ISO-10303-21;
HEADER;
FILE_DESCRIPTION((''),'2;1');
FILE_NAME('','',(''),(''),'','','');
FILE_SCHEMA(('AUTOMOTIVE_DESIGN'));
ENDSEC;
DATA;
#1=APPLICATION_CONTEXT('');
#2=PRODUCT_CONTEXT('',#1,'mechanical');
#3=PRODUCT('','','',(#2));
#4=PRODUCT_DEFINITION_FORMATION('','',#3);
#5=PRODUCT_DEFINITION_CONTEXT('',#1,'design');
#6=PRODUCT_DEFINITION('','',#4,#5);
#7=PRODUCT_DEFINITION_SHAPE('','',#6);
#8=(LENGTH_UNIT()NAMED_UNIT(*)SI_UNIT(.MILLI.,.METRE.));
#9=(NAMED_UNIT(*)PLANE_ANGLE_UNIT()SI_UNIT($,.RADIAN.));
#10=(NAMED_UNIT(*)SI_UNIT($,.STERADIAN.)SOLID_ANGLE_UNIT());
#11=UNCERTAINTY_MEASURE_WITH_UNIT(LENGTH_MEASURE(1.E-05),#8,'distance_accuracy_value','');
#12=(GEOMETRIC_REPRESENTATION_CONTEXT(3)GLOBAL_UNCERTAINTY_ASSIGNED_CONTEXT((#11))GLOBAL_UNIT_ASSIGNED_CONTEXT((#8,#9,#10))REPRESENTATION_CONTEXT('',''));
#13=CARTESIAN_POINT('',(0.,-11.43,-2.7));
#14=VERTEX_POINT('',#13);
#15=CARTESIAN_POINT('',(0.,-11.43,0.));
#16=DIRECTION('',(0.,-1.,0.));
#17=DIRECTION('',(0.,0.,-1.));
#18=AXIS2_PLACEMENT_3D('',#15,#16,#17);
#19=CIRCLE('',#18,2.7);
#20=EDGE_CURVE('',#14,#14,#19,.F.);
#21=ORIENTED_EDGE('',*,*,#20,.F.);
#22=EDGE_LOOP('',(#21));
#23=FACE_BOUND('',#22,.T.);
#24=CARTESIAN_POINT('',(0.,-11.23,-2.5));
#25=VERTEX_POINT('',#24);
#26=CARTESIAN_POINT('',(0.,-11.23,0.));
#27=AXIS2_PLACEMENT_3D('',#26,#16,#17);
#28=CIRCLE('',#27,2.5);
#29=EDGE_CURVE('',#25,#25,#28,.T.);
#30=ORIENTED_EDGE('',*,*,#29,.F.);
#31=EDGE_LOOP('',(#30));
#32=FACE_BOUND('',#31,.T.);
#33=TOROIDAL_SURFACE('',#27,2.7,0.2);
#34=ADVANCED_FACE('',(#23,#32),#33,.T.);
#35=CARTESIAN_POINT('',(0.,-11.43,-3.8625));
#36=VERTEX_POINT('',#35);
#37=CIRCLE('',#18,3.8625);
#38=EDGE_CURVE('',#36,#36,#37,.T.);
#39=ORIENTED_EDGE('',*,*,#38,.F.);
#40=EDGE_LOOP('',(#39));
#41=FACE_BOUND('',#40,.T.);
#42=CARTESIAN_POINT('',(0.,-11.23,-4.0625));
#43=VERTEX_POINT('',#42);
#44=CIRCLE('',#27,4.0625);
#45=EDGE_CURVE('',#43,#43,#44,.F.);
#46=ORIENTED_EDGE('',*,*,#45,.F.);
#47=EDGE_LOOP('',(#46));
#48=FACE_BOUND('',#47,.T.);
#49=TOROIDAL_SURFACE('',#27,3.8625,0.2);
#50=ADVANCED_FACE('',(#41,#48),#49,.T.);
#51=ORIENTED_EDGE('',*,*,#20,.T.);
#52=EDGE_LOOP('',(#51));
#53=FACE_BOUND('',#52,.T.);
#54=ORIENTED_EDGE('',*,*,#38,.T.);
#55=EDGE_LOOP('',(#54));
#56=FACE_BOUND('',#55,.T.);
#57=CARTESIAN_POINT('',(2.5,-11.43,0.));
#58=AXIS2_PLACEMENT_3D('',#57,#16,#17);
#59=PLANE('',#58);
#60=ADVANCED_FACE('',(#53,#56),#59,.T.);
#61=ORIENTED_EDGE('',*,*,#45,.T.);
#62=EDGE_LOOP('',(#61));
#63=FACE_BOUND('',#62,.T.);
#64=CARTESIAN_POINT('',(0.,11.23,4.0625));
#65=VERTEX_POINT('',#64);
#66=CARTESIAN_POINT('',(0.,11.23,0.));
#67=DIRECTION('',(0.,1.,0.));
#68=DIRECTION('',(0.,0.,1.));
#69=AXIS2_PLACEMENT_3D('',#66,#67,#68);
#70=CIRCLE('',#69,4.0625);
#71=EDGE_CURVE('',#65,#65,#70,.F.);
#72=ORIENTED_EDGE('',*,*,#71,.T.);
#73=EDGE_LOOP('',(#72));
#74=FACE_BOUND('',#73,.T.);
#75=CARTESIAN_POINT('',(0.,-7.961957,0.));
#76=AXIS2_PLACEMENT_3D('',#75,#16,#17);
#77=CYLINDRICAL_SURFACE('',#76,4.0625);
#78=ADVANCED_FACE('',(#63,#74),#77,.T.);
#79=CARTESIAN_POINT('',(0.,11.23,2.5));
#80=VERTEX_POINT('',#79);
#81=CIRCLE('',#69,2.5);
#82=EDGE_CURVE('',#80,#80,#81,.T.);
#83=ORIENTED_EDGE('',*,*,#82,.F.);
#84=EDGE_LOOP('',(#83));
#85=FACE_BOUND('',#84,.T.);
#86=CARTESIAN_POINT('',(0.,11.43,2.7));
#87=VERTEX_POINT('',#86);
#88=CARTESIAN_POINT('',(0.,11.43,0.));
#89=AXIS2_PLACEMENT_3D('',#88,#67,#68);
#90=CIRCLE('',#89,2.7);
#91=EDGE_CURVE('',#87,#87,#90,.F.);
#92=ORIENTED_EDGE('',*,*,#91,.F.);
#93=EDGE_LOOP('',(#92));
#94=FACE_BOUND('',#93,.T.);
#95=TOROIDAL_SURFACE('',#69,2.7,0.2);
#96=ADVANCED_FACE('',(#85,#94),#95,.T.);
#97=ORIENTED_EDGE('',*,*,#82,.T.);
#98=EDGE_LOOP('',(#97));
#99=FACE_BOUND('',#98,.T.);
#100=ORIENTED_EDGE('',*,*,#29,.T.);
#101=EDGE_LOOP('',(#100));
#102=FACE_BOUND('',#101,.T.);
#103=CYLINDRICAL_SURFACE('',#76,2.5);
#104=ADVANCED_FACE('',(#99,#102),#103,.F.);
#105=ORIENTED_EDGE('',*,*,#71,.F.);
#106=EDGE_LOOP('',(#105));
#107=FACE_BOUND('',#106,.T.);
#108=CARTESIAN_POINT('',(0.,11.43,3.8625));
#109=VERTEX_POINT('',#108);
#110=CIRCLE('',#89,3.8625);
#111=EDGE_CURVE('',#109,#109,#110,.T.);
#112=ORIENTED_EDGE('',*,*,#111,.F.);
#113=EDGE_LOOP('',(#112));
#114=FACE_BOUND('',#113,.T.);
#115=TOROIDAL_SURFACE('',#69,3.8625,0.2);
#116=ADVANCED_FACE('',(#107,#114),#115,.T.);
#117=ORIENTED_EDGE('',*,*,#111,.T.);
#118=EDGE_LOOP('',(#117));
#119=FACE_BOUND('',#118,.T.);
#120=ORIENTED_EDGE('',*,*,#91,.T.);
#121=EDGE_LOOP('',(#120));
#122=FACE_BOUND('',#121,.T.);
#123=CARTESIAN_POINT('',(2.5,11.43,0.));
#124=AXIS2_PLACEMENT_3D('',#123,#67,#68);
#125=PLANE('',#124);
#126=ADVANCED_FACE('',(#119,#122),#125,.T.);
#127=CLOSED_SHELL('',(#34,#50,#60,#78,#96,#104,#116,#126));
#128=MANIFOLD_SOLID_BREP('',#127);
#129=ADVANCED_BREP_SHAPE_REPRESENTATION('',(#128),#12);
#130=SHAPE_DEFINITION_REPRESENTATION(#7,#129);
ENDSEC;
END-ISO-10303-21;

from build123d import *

# Parameters (mm, degrees)
SKETCH1_W = 1.5625
SKETCH1_H = 22.86
FILLET1_R = 0.2


with BuildPart() as part:
    # Sketch1 → Revolve1 (revolve)
    with BuildSketch(Plane.XY, mode=Mode.PRIVATE) as revolve1_sk:
        with Locations((3.28125, 0)):
            Rectangle(SKETCH1_W, SKETCH1_H)
    revolve(revolve1_sk.sketch.rotate(Axis((0, -7.961956522, 0), (0, 1, 0)), 90), axis=Axis((0, -7.961956522, 0), (0, 1, 0)))

    # Fillet1
    fillet1_edges = [part.edges().sort_by_distance(p)[0] for p in [
        (0, 11.43, 2.5),
        (0, 11.43, 4.0625),
        (0, -11.43, 4.0625),
        (0, -11.43, 2.5),
    ]]
    fillet(fillet1_edges, radius=FILLET1_R)


solid = part.part
